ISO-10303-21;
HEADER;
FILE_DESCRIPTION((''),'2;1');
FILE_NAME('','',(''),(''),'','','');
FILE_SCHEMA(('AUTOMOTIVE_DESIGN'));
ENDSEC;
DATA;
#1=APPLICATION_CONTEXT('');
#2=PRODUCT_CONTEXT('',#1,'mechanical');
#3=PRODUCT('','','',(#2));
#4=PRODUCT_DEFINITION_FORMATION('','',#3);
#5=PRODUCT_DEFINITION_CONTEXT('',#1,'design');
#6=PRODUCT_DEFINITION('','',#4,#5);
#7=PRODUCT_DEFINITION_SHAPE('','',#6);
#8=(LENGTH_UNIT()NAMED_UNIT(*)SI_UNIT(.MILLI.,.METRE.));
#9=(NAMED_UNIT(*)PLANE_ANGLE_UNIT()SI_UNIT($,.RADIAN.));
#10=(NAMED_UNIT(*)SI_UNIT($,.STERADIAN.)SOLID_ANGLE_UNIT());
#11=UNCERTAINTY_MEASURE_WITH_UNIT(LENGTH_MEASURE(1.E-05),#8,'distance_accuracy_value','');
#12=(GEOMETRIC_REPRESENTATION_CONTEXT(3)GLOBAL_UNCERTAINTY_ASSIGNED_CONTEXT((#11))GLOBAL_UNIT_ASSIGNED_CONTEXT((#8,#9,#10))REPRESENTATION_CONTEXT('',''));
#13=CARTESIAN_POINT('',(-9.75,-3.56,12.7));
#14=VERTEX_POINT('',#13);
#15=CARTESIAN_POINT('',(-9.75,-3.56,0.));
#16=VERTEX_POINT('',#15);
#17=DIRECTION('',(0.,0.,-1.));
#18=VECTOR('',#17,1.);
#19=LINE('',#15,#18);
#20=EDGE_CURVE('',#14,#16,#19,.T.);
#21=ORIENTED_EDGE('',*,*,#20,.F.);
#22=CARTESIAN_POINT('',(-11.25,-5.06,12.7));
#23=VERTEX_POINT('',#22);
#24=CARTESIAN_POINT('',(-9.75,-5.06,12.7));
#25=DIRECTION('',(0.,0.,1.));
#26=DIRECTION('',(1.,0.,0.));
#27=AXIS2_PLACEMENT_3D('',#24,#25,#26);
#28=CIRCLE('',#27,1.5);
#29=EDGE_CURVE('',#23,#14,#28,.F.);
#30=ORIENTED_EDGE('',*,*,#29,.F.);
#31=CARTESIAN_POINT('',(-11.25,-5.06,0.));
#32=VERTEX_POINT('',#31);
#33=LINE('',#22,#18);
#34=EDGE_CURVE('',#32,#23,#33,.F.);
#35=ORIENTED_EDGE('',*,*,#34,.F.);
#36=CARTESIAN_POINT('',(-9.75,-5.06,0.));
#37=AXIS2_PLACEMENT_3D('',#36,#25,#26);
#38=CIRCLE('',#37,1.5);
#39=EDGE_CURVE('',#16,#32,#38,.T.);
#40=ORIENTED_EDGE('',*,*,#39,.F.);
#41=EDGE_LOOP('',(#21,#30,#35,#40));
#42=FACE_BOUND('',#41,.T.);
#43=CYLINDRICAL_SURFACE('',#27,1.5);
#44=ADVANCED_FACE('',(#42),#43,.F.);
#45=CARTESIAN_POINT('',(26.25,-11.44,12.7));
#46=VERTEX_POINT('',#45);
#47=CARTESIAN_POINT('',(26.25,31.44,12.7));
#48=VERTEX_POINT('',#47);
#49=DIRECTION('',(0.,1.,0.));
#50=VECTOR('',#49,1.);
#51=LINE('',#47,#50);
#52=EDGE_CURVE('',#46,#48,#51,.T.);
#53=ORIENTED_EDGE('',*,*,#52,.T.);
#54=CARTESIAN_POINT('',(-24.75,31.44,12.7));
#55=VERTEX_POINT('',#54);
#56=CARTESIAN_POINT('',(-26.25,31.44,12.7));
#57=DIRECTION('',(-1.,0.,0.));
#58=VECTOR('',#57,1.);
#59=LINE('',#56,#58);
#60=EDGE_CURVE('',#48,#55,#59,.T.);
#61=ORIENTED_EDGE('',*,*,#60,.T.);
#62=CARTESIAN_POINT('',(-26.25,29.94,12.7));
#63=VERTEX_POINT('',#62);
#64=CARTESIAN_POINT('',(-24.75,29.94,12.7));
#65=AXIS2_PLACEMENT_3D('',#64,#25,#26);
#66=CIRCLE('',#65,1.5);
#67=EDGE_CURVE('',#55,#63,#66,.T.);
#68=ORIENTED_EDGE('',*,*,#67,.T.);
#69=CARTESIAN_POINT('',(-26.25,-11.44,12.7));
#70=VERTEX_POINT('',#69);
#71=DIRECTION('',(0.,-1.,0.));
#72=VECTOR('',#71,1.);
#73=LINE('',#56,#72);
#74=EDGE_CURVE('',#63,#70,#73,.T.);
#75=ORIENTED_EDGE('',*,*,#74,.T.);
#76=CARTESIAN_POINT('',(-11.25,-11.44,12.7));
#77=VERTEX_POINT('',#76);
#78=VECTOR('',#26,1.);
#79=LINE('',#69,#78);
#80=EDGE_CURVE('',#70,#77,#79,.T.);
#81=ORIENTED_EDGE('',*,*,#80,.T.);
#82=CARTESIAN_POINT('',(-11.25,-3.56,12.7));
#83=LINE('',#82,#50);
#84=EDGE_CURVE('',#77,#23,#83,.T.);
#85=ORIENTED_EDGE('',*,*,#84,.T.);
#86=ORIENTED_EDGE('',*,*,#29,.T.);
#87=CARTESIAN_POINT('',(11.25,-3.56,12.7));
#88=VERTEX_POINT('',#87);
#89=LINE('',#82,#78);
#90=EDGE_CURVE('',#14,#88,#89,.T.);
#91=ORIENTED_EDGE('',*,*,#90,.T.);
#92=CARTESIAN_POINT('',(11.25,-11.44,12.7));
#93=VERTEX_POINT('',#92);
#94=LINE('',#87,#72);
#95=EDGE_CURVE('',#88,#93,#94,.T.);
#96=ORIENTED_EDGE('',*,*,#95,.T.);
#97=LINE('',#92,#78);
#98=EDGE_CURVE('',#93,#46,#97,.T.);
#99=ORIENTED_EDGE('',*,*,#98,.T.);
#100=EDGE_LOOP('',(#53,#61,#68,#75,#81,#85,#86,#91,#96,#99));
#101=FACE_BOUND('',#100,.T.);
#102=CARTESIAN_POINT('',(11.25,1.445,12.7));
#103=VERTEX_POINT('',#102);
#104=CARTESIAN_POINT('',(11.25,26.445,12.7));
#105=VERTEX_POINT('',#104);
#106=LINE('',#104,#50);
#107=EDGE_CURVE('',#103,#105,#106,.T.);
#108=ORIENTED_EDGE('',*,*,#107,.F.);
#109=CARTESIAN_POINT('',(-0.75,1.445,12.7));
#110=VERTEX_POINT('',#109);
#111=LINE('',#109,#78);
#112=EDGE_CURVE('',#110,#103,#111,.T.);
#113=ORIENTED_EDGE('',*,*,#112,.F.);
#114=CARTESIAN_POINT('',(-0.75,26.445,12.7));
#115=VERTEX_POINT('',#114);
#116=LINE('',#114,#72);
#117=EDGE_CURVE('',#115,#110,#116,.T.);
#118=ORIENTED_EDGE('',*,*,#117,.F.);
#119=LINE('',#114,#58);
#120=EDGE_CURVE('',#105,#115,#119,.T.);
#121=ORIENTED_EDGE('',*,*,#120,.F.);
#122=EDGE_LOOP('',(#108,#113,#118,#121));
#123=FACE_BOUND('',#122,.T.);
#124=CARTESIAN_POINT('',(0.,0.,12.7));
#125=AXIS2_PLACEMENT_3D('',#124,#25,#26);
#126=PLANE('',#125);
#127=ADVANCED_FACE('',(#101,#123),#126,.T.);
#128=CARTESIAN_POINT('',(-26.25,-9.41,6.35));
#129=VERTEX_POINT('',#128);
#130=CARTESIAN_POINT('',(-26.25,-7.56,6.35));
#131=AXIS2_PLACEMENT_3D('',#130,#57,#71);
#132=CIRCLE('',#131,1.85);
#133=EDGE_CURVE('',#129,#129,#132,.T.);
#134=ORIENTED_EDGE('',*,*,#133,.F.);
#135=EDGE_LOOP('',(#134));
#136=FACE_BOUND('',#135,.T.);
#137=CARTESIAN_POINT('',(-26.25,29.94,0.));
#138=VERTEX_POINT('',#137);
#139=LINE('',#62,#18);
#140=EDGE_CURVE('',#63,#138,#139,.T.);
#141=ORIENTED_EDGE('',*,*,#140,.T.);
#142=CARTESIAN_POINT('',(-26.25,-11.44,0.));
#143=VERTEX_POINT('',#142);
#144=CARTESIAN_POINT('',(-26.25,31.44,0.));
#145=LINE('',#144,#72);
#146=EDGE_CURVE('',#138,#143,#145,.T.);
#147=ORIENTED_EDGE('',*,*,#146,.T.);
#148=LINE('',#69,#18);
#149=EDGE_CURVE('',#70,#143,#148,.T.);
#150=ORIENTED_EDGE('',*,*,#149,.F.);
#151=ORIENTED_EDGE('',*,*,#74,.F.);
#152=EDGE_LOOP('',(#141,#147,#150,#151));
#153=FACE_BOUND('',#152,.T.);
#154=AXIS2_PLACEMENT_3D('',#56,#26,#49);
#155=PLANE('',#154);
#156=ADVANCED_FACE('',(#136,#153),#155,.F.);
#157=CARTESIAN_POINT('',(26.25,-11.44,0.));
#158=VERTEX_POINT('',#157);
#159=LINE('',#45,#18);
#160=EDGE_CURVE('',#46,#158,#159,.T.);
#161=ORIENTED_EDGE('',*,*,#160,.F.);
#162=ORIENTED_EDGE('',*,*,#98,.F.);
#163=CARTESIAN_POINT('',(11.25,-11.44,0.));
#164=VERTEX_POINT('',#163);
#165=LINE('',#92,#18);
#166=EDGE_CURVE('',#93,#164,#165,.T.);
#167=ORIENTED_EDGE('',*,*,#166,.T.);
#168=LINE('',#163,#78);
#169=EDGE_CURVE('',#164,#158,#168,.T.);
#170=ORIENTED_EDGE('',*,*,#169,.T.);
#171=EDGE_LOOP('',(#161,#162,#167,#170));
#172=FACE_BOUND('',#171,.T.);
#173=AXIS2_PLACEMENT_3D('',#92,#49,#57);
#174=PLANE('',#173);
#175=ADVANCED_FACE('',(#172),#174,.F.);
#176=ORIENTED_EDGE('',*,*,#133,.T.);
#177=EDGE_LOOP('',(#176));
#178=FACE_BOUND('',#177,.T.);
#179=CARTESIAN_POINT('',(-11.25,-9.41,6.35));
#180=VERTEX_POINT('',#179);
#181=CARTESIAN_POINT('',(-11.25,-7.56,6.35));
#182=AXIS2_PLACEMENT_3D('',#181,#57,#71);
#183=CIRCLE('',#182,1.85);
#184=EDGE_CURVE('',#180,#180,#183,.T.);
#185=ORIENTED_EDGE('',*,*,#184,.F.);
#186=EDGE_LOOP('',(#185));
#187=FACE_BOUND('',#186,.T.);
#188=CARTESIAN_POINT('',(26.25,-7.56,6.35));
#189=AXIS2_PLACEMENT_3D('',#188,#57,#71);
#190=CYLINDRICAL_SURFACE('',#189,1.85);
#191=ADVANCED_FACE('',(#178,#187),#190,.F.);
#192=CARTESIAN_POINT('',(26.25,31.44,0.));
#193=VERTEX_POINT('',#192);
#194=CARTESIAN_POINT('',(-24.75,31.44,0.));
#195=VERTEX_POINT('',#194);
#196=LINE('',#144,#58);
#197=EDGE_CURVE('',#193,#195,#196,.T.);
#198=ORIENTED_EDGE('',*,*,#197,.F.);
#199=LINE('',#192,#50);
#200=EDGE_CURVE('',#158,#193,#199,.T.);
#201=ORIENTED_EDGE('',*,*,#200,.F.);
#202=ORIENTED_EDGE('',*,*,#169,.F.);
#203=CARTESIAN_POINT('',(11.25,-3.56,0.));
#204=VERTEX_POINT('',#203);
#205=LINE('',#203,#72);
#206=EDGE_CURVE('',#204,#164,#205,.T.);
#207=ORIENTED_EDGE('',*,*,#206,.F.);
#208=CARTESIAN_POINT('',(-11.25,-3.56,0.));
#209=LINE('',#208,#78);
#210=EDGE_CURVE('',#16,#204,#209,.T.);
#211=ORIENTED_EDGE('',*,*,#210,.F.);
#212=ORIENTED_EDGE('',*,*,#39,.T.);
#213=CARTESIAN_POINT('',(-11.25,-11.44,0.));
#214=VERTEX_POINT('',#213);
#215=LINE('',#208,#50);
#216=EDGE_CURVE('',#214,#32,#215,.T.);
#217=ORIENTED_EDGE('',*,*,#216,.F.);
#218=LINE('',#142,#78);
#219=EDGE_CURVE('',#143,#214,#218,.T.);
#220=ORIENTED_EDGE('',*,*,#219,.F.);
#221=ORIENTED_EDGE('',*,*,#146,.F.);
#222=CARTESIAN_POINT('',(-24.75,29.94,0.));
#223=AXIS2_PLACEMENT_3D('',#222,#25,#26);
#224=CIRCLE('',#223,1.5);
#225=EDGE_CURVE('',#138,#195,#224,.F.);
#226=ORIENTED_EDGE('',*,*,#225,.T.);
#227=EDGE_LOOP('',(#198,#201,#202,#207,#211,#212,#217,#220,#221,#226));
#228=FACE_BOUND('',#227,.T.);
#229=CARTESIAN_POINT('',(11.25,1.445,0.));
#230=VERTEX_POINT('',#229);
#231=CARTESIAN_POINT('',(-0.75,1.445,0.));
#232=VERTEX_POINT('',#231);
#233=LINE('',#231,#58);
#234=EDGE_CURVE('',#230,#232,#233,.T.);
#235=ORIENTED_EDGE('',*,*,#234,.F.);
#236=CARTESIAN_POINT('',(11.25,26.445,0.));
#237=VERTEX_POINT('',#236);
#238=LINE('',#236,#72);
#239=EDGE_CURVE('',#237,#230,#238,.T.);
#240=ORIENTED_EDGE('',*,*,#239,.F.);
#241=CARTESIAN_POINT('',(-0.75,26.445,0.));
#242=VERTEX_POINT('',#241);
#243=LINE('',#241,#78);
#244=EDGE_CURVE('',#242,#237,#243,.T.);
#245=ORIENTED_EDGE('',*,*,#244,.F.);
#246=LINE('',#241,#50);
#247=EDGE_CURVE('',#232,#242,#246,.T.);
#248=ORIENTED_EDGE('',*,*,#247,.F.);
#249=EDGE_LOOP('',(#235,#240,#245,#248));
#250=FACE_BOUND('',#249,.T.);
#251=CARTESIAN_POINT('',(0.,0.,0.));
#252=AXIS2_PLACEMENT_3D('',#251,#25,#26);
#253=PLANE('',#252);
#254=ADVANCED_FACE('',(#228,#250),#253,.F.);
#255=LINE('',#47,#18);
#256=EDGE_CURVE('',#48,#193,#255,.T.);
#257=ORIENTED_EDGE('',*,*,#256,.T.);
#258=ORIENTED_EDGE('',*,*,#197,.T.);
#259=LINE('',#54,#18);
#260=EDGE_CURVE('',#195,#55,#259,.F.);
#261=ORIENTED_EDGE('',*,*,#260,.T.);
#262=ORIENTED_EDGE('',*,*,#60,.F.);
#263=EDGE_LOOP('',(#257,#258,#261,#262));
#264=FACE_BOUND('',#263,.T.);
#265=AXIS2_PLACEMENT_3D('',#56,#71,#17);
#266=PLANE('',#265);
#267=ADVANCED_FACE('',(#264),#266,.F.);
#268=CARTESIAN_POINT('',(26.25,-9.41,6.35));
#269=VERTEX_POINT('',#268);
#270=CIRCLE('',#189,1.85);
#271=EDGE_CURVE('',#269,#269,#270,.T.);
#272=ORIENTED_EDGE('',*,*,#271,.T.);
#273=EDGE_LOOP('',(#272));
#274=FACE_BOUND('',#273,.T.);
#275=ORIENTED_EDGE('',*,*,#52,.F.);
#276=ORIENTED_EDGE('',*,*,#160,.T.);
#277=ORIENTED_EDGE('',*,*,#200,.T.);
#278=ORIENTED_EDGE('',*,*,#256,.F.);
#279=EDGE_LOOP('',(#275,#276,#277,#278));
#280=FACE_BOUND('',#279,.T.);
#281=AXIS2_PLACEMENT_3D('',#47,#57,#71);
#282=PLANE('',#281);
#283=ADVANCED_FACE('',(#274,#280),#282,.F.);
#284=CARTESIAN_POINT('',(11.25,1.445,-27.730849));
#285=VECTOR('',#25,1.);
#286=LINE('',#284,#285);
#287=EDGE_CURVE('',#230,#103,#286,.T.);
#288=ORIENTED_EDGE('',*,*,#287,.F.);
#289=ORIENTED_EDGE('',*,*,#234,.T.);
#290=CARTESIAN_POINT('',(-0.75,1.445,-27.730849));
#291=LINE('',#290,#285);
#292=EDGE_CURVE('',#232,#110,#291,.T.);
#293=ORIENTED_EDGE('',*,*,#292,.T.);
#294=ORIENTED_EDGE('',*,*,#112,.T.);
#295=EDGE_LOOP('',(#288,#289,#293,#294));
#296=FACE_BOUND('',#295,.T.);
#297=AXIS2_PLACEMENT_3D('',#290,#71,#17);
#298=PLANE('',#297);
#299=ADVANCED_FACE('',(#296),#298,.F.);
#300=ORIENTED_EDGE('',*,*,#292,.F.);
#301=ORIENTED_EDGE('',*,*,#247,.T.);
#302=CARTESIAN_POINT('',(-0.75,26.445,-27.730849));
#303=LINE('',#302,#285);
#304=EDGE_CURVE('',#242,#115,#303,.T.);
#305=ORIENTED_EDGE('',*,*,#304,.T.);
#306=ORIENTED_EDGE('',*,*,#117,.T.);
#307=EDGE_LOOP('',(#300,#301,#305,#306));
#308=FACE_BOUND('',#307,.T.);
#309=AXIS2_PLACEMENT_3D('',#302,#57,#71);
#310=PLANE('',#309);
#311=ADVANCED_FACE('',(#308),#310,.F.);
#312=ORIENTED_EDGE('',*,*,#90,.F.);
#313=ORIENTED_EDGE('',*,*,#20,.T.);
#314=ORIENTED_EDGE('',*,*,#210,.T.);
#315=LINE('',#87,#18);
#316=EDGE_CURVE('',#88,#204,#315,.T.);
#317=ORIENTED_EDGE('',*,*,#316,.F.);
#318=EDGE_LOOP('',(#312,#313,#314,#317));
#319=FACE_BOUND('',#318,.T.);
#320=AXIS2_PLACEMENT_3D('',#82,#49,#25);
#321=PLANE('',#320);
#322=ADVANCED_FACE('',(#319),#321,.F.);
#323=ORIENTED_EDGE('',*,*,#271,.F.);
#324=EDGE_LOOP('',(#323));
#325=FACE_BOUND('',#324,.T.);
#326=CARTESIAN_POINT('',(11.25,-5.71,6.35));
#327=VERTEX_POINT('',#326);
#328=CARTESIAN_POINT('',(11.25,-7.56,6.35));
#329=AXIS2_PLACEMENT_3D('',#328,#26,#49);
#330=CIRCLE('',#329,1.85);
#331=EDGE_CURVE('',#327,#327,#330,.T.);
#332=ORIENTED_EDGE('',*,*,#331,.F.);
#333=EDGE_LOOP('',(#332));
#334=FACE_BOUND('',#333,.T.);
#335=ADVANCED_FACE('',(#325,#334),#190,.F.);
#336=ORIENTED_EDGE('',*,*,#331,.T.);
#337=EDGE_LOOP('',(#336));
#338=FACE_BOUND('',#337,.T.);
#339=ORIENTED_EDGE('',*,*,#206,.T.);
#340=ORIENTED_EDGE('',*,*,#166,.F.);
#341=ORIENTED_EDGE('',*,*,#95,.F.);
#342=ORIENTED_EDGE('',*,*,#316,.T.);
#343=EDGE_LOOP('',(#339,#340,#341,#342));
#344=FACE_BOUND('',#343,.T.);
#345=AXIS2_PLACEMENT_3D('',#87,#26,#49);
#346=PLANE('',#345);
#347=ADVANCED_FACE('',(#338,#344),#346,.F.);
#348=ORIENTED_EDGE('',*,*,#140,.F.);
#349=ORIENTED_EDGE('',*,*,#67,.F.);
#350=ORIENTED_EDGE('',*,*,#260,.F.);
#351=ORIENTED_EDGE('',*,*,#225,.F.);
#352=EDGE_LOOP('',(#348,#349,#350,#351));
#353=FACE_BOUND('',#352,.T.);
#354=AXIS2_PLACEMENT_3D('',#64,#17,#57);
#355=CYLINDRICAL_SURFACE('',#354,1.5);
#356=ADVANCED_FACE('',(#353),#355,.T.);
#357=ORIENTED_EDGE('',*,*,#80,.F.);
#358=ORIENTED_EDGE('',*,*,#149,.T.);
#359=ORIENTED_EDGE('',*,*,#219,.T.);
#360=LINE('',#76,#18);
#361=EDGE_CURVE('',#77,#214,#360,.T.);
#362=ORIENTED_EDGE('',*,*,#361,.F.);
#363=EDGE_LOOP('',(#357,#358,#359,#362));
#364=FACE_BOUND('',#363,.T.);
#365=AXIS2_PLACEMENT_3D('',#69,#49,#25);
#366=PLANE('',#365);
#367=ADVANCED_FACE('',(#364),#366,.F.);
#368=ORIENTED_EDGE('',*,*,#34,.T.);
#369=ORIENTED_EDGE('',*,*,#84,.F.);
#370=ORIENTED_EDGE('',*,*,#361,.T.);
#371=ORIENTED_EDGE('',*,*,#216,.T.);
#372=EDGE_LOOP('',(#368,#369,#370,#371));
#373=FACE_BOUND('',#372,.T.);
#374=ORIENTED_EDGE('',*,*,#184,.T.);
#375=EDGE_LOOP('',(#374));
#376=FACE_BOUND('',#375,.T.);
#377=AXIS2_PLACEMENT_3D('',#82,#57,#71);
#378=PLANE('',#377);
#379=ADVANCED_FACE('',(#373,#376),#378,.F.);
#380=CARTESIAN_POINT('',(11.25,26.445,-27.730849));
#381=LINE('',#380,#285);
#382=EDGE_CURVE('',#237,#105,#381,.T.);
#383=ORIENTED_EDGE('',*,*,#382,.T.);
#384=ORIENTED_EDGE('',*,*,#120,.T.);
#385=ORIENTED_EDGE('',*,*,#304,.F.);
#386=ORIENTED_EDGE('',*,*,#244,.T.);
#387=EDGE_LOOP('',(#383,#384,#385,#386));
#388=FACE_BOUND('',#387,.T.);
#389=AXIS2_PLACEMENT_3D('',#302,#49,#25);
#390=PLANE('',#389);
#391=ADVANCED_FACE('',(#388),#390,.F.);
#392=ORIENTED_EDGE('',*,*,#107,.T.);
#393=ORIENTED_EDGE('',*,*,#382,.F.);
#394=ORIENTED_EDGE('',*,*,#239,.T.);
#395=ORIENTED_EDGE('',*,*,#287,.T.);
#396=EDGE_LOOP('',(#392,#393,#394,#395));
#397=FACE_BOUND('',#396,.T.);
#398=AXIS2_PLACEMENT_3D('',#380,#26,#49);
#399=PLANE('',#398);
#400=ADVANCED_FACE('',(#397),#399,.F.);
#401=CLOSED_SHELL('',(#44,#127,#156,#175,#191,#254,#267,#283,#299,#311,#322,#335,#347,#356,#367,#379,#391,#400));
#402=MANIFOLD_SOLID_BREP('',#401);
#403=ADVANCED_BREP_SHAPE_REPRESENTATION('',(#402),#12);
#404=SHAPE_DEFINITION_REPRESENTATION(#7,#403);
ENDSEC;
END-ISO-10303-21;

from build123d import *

# Parameters (mm, degrees)
BOSS_EXTRUDE1_DEPTH = 12.7
FILLET1_R           = 1.5
FILLET2_R           = 1.5
SKETCH4_R           = 1.85
CUT_EXTRUDE1_DEPTH  = 63.498108771
SKETCH11_W          = 12
SKETCH11_H          = 25
CUT_EXTRUDE2_DEPTH  = 12.7


with BuildPart() as part:
    # Sketch1 → Boss-Extrude1 (new body)
    with BuildSketch(Plane.XY):
        Polygon((11.25, -11.44), (26.25, -11.44), (26.25, 31.44), (-26.25, 31.44), (-26.25, -11.44), (-11.25, -11.44), (-11.25, -3.56), (11.25, -3.56), align=None)
    extrude(amount=BOSS_EXTRUDE1_DEPTH)

    # Fillet1
    fillet1_edges = [part.edges().sort_by_distance(p)[0] for p in [
        (-26.25, 31.44, 6.35),
    ]]
    fillet(fillet1_edges, radius=FILLET1_R)

    # Fillet2
    fillet2_edges = [part.edges().sort_by_distance(p)[0] for p in [
        (-11.25, -3.56, 6.35),
    ]]
    fillet(fillet2_edges, radius=FILLET2_R)

    # Sketch4 → Cut-Extrude1 (cut, through all)
    with BuildSketch(Plane.ZY.offset(26.25)):
        with Locations(Location((6.35, -7.56, 0), (0, 0, 270))):
            Circle(SKETCH4_R)
    extrude(amount=-CUT_EXTRUDE1_DEPTH, mode=Mode.SUBTRACT)

    # Sketch11 → Cut-Extrude2 (cut)
    with BuildSketch(Plane.XY.offset(12.7)):
        with Locations((5.25, 13.945)):
            Rectangle(SKETCH11_W, SKETCH11_H)
    extrude(amount=-CUT_EXTRUDE2_DEPTH, mode=Mode.SUBTRACT)


solid = part.part
